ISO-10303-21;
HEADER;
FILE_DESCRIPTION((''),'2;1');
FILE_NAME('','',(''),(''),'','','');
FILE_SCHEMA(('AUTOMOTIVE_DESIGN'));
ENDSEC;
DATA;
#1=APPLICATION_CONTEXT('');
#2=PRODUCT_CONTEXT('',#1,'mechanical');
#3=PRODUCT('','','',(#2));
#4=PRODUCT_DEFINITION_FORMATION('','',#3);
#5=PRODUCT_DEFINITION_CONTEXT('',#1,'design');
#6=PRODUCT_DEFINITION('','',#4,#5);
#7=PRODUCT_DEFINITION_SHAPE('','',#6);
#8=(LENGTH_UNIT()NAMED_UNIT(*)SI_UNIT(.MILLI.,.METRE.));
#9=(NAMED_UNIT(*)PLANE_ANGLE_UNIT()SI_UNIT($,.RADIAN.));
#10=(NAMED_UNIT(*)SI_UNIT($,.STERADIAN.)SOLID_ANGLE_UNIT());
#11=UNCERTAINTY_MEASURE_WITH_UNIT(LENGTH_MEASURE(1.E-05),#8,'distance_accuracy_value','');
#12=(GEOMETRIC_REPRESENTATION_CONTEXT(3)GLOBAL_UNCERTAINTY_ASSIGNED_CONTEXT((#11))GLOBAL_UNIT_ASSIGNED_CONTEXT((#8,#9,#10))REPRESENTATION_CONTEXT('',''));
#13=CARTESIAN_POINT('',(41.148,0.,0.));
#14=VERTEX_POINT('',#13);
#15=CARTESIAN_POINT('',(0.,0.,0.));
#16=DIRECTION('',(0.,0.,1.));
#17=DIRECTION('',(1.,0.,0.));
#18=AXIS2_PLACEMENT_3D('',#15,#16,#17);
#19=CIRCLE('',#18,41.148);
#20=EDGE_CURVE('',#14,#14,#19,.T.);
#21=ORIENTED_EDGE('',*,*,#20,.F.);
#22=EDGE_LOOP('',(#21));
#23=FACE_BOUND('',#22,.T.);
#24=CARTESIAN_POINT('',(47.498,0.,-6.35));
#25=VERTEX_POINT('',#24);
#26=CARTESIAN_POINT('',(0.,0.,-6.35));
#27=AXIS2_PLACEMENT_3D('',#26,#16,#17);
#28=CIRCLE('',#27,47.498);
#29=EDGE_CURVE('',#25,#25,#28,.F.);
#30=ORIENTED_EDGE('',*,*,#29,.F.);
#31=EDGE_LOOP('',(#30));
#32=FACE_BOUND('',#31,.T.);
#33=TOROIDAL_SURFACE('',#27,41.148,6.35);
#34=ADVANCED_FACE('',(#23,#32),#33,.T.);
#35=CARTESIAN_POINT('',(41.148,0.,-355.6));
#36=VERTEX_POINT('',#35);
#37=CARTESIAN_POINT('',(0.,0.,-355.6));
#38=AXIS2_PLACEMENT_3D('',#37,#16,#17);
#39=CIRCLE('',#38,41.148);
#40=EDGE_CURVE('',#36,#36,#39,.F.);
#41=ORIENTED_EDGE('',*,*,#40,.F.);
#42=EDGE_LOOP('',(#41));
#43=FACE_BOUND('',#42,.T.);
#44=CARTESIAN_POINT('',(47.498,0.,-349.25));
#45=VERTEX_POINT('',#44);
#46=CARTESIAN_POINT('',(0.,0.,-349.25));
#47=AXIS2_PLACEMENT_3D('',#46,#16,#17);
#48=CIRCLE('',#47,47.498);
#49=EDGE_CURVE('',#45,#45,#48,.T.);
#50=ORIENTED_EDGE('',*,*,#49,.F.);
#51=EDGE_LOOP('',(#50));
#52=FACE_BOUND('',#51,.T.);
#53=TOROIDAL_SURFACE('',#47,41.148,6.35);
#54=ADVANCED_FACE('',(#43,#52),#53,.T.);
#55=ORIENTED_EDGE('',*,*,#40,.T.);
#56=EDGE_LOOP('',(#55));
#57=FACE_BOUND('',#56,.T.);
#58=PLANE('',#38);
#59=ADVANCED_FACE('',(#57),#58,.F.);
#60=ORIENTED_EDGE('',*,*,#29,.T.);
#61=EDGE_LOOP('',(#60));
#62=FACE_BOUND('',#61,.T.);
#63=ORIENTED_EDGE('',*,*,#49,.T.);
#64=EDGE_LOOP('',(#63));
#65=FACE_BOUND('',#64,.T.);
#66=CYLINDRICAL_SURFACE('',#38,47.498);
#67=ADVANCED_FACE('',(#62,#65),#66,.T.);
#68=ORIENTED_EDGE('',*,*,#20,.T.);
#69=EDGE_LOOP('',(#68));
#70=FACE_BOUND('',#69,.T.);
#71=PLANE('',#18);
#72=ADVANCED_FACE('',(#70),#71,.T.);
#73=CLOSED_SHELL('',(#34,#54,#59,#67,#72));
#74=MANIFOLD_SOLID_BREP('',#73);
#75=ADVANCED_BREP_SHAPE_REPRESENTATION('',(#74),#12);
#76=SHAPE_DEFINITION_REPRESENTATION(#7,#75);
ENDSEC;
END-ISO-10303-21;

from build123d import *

# Parameters (mm, degrees)
SKETCH1_R           = 47.498
BOSS_EXTRUDE1_DEPTH = 355.6
FILLET1_R           = 6.35


with BuildPart() as part:
    # Sketch1 → Boss-Extrude1 (new body)
    with BuildSketch(Plane.XY):
        Circle(SKETCH1_R)
    extrude(amount=-BOSS_EXTRUDE1_DEPTH)

    # Fillet1
    fillet1_edges = [part.edges().sort_by_distance(p)[0] for p in [
        (-47.498, 0, 0),
        (-47.498, 0, -355.6),
    ]]
    fillet(fillet1_edges, radius=FILLET1_R)


solid = part.part
